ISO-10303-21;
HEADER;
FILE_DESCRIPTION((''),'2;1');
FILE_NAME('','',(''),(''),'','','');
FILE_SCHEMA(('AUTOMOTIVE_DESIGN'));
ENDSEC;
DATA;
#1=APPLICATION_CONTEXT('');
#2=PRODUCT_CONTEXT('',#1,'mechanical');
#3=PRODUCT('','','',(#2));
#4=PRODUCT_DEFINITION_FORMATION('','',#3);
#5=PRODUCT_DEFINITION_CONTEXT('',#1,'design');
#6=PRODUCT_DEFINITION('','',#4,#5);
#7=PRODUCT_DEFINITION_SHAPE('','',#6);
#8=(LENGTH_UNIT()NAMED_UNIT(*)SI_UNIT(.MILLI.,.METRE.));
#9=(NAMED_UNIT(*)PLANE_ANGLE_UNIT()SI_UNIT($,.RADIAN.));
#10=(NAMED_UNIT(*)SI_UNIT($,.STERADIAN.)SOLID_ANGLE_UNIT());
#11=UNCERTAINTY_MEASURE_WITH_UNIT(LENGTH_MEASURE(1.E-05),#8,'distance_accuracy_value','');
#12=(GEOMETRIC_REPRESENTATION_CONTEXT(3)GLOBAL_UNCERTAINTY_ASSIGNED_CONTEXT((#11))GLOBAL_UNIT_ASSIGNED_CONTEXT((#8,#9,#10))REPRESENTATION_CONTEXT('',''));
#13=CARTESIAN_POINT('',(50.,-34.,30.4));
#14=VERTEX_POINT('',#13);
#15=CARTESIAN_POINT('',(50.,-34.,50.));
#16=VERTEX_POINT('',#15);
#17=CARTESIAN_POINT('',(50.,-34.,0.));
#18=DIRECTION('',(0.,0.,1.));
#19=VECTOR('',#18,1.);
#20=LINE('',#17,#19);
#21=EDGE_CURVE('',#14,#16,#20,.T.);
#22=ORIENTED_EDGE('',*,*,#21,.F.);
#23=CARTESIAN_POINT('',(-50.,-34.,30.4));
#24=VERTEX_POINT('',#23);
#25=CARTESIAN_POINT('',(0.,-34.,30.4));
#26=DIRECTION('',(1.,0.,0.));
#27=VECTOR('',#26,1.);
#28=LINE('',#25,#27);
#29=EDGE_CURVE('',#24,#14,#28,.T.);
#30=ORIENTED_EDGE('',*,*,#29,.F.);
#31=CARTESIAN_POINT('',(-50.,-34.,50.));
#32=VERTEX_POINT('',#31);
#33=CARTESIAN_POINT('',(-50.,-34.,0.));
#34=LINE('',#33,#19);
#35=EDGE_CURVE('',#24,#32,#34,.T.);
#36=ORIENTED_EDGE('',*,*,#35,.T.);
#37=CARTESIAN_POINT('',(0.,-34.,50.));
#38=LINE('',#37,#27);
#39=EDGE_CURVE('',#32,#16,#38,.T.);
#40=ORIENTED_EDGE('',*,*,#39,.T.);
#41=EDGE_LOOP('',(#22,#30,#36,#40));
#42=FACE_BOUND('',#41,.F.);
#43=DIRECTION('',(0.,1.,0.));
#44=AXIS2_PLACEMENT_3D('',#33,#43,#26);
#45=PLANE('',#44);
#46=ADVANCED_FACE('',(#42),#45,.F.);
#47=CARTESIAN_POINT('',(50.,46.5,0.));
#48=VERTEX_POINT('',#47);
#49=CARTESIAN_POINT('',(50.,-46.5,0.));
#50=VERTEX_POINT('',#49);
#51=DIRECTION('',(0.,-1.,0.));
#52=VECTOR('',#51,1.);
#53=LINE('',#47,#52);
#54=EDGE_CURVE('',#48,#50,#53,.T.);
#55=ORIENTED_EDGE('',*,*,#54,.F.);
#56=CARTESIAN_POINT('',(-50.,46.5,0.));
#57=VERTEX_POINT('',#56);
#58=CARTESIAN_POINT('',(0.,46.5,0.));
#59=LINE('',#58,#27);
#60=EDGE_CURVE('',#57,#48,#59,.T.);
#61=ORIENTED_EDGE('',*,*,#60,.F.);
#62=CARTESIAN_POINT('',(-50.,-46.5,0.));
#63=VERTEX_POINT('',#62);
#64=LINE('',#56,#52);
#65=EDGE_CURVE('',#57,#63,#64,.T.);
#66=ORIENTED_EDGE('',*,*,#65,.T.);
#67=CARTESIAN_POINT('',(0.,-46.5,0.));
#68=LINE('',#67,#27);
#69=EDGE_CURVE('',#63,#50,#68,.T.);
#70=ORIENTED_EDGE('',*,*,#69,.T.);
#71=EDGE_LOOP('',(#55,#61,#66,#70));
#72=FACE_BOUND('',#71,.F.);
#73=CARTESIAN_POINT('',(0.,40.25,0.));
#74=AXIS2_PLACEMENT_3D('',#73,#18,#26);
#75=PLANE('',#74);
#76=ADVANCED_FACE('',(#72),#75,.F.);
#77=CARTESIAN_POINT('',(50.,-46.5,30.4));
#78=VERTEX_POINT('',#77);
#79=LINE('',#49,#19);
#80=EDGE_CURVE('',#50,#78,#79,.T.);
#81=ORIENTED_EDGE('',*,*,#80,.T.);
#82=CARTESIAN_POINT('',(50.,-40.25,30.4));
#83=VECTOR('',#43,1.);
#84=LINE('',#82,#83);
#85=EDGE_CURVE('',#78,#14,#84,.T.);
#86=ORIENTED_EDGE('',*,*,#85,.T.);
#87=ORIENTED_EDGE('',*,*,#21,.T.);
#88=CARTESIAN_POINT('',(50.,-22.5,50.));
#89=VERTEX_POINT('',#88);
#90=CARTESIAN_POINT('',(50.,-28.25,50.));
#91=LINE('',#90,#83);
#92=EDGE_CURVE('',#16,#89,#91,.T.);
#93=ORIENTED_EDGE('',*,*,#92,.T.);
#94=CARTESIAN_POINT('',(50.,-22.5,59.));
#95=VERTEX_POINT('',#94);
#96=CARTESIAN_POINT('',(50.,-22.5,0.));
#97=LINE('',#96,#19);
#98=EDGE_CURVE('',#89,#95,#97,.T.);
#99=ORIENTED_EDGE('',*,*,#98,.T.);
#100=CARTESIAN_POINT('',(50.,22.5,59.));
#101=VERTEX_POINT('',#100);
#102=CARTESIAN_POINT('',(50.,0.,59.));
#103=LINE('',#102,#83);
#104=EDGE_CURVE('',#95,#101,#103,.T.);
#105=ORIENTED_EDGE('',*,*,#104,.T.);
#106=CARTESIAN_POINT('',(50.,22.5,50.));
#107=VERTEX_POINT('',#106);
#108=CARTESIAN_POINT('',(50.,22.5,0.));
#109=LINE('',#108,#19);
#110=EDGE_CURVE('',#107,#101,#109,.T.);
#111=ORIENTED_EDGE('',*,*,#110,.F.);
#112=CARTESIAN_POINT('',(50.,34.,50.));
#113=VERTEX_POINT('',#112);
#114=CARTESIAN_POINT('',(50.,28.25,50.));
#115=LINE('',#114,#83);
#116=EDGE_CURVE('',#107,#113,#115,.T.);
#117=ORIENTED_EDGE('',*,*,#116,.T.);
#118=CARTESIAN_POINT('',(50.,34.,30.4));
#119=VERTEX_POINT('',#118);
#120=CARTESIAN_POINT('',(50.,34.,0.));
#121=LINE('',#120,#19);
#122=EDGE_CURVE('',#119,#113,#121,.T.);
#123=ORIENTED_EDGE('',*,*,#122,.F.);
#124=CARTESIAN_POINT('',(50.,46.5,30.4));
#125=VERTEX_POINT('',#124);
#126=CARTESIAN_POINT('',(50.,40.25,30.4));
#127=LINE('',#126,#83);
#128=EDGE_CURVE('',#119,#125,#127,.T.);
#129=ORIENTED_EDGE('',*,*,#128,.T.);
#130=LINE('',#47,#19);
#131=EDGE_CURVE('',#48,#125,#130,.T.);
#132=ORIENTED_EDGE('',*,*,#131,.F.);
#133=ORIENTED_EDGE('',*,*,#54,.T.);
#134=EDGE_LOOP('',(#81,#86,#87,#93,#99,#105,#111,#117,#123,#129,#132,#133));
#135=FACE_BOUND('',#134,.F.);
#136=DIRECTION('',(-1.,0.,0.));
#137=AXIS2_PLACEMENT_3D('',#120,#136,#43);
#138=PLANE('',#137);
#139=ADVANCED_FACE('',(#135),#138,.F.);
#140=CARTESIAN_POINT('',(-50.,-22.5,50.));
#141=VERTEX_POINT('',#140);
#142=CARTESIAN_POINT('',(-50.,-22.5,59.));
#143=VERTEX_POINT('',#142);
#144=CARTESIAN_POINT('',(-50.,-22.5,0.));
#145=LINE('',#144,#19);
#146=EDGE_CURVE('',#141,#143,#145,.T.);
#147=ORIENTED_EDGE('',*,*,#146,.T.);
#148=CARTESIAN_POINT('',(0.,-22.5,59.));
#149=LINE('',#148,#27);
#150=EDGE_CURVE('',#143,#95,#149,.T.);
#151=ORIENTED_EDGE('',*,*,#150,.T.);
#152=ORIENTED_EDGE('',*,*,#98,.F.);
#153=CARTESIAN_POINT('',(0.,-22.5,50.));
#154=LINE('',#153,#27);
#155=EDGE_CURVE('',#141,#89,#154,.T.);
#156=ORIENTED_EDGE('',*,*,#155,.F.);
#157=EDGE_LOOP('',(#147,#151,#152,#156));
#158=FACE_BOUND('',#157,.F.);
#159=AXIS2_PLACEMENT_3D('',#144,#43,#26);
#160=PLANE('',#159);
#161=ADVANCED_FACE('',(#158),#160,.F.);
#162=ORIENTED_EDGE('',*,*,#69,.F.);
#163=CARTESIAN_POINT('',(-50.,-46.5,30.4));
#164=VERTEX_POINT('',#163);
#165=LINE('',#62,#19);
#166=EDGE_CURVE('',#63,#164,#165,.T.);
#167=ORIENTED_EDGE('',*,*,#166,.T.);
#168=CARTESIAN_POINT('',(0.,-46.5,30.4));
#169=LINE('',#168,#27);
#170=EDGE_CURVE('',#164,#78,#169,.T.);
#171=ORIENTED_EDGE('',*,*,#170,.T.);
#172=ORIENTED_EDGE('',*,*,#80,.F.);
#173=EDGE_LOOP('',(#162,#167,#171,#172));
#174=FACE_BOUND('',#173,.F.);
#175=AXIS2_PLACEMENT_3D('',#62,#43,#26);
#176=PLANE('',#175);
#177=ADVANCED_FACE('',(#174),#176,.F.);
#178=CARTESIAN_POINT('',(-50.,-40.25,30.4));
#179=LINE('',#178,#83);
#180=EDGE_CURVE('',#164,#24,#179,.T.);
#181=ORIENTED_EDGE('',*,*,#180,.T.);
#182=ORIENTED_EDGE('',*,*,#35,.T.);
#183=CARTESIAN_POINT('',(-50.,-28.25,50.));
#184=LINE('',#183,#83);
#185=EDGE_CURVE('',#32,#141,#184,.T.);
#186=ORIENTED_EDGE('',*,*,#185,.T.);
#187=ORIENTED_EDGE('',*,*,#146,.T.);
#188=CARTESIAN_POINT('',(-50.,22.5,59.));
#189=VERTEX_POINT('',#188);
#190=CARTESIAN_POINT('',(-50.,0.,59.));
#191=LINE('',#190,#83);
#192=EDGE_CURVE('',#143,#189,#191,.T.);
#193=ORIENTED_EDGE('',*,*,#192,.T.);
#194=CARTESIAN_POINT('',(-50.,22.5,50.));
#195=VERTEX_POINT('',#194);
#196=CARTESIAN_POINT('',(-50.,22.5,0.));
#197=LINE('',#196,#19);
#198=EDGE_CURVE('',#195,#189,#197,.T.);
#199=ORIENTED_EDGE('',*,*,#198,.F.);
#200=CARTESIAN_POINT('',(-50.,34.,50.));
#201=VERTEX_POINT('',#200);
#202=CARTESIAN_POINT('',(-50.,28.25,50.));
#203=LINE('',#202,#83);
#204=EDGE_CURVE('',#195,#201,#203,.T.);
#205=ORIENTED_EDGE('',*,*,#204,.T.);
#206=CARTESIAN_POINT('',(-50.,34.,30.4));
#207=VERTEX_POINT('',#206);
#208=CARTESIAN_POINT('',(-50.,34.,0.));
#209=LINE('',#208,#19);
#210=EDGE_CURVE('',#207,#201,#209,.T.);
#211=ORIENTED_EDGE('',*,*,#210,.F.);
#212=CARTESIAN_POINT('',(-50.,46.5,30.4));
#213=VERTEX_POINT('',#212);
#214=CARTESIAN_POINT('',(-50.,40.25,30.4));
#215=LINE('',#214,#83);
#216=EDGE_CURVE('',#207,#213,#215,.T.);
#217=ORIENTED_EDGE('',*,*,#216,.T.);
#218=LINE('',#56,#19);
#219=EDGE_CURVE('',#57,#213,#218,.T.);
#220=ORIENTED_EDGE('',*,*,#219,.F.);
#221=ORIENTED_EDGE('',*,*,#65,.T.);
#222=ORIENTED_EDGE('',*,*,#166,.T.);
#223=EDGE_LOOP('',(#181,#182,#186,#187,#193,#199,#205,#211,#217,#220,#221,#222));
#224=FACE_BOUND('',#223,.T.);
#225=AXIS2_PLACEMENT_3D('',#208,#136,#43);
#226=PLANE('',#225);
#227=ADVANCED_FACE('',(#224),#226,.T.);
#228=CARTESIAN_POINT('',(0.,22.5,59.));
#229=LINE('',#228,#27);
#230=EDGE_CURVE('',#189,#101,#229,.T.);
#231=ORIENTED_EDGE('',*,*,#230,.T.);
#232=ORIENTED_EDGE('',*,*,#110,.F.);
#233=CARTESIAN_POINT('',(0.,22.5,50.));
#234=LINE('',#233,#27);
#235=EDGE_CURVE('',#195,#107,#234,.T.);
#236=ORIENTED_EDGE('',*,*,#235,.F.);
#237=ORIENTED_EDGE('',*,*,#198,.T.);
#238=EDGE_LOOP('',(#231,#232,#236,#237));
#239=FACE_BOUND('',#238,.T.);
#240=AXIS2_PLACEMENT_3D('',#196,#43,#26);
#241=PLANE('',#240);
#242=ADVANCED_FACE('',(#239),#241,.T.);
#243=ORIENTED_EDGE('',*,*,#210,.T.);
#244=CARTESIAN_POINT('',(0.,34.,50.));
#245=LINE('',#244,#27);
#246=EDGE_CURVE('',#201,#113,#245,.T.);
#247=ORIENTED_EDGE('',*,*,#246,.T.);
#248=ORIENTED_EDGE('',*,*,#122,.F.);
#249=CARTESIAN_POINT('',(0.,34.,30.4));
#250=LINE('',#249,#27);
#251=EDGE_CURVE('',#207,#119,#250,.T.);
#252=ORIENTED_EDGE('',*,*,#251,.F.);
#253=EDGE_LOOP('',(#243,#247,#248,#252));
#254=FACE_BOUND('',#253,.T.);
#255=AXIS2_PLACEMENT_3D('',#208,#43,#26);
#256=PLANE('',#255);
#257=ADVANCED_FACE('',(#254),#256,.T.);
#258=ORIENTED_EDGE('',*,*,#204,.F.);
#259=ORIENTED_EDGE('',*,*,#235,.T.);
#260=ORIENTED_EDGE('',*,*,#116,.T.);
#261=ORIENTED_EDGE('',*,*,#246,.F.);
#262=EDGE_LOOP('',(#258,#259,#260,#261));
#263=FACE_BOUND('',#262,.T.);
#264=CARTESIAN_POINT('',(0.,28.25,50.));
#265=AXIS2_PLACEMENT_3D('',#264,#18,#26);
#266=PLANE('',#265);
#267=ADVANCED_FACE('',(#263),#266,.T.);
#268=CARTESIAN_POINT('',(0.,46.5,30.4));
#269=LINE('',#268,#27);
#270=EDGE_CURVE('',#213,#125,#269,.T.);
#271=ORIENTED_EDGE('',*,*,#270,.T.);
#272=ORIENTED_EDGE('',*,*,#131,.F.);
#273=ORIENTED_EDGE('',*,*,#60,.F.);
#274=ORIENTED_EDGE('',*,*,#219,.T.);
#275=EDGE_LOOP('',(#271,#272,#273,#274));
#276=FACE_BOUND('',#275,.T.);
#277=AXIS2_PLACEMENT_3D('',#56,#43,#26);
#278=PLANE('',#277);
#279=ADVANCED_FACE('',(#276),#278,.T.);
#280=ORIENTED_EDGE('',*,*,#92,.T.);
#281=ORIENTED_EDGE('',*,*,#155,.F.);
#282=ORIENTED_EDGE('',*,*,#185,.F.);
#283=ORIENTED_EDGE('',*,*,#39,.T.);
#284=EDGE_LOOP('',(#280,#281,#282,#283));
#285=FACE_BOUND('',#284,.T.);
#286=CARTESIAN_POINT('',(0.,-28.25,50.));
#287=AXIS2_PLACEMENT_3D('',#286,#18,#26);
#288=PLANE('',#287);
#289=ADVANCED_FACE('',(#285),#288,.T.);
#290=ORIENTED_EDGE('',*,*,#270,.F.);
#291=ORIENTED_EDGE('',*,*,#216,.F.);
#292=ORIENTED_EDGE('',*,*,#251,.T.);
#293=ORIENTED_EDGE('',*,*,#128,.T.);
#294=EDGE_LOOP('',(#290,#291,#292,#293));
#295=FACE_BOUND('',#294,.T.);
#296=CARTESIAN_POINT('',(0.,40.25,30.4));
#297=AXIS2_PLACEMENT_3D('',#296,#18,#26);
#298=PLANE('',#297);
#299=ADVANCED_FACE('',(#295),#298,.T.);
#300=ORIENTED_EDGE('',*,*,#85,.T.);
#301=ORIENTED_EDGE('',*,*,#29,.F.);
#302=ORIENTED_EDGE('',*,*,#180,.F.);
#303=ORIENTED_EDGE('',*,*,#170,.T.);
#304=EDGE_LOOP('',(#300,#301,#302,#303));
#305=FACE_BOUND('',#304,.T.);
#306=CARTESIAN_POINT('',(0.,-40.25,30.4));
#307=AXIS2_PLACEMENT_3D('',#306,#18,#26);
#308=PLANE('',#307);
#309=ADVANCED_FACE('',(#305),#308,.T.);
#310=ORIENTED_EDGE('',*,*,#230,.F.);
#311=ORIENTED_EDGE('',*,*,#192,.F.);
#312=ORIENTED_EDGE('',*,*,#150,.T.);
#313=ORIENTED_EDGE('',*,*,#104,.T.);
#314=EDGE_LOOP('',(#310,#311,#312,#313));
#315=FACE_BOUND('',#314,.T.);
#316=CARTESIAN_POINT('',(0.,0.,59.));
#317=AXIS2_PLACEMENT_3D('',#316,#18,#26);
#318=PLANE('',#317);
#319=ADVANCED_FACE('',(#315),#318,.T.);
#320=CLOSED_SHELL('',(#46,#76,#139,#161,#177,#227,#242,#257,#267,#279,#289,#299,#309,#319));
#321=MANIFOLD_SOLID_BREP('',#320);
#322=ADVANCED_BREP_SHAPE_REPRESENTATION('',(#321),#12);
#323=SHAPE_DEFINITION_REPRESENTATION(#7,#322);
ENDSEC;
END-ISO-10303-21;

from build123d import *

# Parameters (mm, degrees)
F0_W     = 100
F0_H     = 45
F1_DEPTH = 59
F0_H_2   = 11.5
F2_DEPTH = 50
F0_H_3   = 12.5
F3_DEPTH = 30.4


with BuildPart() as f1:
    # F0 (on Top) → F1 (new body)
    with BuildSketch(Plane.XY):
        Rectangle(F0_W, F0_H)
    extrude(amount=F1_DEPTH)

    # F0 (on Top) → F2 (join)
    with BuildSketch(Plane.XY):
        with Locations((0, 28.25)):
            Rectangle(F0_W, F0_H_2)
        with Locations((0, -28.25)):
            Rectangle(F0_W, F0_H_2)
    extrude(amount=F2_DEPTH)

    # F0 (on Top) → F3 (join)
    with BuildSketch(Plane.XY):
        with Locations((0, 40.25)):
            Rectangle(F0_W, F0_H_3)
        with Locations((0, -40.25)):
            Rectangle(F0_W, F0_H_3)
    extrude(amount=F3_DEPTH)


solid = f1.part
